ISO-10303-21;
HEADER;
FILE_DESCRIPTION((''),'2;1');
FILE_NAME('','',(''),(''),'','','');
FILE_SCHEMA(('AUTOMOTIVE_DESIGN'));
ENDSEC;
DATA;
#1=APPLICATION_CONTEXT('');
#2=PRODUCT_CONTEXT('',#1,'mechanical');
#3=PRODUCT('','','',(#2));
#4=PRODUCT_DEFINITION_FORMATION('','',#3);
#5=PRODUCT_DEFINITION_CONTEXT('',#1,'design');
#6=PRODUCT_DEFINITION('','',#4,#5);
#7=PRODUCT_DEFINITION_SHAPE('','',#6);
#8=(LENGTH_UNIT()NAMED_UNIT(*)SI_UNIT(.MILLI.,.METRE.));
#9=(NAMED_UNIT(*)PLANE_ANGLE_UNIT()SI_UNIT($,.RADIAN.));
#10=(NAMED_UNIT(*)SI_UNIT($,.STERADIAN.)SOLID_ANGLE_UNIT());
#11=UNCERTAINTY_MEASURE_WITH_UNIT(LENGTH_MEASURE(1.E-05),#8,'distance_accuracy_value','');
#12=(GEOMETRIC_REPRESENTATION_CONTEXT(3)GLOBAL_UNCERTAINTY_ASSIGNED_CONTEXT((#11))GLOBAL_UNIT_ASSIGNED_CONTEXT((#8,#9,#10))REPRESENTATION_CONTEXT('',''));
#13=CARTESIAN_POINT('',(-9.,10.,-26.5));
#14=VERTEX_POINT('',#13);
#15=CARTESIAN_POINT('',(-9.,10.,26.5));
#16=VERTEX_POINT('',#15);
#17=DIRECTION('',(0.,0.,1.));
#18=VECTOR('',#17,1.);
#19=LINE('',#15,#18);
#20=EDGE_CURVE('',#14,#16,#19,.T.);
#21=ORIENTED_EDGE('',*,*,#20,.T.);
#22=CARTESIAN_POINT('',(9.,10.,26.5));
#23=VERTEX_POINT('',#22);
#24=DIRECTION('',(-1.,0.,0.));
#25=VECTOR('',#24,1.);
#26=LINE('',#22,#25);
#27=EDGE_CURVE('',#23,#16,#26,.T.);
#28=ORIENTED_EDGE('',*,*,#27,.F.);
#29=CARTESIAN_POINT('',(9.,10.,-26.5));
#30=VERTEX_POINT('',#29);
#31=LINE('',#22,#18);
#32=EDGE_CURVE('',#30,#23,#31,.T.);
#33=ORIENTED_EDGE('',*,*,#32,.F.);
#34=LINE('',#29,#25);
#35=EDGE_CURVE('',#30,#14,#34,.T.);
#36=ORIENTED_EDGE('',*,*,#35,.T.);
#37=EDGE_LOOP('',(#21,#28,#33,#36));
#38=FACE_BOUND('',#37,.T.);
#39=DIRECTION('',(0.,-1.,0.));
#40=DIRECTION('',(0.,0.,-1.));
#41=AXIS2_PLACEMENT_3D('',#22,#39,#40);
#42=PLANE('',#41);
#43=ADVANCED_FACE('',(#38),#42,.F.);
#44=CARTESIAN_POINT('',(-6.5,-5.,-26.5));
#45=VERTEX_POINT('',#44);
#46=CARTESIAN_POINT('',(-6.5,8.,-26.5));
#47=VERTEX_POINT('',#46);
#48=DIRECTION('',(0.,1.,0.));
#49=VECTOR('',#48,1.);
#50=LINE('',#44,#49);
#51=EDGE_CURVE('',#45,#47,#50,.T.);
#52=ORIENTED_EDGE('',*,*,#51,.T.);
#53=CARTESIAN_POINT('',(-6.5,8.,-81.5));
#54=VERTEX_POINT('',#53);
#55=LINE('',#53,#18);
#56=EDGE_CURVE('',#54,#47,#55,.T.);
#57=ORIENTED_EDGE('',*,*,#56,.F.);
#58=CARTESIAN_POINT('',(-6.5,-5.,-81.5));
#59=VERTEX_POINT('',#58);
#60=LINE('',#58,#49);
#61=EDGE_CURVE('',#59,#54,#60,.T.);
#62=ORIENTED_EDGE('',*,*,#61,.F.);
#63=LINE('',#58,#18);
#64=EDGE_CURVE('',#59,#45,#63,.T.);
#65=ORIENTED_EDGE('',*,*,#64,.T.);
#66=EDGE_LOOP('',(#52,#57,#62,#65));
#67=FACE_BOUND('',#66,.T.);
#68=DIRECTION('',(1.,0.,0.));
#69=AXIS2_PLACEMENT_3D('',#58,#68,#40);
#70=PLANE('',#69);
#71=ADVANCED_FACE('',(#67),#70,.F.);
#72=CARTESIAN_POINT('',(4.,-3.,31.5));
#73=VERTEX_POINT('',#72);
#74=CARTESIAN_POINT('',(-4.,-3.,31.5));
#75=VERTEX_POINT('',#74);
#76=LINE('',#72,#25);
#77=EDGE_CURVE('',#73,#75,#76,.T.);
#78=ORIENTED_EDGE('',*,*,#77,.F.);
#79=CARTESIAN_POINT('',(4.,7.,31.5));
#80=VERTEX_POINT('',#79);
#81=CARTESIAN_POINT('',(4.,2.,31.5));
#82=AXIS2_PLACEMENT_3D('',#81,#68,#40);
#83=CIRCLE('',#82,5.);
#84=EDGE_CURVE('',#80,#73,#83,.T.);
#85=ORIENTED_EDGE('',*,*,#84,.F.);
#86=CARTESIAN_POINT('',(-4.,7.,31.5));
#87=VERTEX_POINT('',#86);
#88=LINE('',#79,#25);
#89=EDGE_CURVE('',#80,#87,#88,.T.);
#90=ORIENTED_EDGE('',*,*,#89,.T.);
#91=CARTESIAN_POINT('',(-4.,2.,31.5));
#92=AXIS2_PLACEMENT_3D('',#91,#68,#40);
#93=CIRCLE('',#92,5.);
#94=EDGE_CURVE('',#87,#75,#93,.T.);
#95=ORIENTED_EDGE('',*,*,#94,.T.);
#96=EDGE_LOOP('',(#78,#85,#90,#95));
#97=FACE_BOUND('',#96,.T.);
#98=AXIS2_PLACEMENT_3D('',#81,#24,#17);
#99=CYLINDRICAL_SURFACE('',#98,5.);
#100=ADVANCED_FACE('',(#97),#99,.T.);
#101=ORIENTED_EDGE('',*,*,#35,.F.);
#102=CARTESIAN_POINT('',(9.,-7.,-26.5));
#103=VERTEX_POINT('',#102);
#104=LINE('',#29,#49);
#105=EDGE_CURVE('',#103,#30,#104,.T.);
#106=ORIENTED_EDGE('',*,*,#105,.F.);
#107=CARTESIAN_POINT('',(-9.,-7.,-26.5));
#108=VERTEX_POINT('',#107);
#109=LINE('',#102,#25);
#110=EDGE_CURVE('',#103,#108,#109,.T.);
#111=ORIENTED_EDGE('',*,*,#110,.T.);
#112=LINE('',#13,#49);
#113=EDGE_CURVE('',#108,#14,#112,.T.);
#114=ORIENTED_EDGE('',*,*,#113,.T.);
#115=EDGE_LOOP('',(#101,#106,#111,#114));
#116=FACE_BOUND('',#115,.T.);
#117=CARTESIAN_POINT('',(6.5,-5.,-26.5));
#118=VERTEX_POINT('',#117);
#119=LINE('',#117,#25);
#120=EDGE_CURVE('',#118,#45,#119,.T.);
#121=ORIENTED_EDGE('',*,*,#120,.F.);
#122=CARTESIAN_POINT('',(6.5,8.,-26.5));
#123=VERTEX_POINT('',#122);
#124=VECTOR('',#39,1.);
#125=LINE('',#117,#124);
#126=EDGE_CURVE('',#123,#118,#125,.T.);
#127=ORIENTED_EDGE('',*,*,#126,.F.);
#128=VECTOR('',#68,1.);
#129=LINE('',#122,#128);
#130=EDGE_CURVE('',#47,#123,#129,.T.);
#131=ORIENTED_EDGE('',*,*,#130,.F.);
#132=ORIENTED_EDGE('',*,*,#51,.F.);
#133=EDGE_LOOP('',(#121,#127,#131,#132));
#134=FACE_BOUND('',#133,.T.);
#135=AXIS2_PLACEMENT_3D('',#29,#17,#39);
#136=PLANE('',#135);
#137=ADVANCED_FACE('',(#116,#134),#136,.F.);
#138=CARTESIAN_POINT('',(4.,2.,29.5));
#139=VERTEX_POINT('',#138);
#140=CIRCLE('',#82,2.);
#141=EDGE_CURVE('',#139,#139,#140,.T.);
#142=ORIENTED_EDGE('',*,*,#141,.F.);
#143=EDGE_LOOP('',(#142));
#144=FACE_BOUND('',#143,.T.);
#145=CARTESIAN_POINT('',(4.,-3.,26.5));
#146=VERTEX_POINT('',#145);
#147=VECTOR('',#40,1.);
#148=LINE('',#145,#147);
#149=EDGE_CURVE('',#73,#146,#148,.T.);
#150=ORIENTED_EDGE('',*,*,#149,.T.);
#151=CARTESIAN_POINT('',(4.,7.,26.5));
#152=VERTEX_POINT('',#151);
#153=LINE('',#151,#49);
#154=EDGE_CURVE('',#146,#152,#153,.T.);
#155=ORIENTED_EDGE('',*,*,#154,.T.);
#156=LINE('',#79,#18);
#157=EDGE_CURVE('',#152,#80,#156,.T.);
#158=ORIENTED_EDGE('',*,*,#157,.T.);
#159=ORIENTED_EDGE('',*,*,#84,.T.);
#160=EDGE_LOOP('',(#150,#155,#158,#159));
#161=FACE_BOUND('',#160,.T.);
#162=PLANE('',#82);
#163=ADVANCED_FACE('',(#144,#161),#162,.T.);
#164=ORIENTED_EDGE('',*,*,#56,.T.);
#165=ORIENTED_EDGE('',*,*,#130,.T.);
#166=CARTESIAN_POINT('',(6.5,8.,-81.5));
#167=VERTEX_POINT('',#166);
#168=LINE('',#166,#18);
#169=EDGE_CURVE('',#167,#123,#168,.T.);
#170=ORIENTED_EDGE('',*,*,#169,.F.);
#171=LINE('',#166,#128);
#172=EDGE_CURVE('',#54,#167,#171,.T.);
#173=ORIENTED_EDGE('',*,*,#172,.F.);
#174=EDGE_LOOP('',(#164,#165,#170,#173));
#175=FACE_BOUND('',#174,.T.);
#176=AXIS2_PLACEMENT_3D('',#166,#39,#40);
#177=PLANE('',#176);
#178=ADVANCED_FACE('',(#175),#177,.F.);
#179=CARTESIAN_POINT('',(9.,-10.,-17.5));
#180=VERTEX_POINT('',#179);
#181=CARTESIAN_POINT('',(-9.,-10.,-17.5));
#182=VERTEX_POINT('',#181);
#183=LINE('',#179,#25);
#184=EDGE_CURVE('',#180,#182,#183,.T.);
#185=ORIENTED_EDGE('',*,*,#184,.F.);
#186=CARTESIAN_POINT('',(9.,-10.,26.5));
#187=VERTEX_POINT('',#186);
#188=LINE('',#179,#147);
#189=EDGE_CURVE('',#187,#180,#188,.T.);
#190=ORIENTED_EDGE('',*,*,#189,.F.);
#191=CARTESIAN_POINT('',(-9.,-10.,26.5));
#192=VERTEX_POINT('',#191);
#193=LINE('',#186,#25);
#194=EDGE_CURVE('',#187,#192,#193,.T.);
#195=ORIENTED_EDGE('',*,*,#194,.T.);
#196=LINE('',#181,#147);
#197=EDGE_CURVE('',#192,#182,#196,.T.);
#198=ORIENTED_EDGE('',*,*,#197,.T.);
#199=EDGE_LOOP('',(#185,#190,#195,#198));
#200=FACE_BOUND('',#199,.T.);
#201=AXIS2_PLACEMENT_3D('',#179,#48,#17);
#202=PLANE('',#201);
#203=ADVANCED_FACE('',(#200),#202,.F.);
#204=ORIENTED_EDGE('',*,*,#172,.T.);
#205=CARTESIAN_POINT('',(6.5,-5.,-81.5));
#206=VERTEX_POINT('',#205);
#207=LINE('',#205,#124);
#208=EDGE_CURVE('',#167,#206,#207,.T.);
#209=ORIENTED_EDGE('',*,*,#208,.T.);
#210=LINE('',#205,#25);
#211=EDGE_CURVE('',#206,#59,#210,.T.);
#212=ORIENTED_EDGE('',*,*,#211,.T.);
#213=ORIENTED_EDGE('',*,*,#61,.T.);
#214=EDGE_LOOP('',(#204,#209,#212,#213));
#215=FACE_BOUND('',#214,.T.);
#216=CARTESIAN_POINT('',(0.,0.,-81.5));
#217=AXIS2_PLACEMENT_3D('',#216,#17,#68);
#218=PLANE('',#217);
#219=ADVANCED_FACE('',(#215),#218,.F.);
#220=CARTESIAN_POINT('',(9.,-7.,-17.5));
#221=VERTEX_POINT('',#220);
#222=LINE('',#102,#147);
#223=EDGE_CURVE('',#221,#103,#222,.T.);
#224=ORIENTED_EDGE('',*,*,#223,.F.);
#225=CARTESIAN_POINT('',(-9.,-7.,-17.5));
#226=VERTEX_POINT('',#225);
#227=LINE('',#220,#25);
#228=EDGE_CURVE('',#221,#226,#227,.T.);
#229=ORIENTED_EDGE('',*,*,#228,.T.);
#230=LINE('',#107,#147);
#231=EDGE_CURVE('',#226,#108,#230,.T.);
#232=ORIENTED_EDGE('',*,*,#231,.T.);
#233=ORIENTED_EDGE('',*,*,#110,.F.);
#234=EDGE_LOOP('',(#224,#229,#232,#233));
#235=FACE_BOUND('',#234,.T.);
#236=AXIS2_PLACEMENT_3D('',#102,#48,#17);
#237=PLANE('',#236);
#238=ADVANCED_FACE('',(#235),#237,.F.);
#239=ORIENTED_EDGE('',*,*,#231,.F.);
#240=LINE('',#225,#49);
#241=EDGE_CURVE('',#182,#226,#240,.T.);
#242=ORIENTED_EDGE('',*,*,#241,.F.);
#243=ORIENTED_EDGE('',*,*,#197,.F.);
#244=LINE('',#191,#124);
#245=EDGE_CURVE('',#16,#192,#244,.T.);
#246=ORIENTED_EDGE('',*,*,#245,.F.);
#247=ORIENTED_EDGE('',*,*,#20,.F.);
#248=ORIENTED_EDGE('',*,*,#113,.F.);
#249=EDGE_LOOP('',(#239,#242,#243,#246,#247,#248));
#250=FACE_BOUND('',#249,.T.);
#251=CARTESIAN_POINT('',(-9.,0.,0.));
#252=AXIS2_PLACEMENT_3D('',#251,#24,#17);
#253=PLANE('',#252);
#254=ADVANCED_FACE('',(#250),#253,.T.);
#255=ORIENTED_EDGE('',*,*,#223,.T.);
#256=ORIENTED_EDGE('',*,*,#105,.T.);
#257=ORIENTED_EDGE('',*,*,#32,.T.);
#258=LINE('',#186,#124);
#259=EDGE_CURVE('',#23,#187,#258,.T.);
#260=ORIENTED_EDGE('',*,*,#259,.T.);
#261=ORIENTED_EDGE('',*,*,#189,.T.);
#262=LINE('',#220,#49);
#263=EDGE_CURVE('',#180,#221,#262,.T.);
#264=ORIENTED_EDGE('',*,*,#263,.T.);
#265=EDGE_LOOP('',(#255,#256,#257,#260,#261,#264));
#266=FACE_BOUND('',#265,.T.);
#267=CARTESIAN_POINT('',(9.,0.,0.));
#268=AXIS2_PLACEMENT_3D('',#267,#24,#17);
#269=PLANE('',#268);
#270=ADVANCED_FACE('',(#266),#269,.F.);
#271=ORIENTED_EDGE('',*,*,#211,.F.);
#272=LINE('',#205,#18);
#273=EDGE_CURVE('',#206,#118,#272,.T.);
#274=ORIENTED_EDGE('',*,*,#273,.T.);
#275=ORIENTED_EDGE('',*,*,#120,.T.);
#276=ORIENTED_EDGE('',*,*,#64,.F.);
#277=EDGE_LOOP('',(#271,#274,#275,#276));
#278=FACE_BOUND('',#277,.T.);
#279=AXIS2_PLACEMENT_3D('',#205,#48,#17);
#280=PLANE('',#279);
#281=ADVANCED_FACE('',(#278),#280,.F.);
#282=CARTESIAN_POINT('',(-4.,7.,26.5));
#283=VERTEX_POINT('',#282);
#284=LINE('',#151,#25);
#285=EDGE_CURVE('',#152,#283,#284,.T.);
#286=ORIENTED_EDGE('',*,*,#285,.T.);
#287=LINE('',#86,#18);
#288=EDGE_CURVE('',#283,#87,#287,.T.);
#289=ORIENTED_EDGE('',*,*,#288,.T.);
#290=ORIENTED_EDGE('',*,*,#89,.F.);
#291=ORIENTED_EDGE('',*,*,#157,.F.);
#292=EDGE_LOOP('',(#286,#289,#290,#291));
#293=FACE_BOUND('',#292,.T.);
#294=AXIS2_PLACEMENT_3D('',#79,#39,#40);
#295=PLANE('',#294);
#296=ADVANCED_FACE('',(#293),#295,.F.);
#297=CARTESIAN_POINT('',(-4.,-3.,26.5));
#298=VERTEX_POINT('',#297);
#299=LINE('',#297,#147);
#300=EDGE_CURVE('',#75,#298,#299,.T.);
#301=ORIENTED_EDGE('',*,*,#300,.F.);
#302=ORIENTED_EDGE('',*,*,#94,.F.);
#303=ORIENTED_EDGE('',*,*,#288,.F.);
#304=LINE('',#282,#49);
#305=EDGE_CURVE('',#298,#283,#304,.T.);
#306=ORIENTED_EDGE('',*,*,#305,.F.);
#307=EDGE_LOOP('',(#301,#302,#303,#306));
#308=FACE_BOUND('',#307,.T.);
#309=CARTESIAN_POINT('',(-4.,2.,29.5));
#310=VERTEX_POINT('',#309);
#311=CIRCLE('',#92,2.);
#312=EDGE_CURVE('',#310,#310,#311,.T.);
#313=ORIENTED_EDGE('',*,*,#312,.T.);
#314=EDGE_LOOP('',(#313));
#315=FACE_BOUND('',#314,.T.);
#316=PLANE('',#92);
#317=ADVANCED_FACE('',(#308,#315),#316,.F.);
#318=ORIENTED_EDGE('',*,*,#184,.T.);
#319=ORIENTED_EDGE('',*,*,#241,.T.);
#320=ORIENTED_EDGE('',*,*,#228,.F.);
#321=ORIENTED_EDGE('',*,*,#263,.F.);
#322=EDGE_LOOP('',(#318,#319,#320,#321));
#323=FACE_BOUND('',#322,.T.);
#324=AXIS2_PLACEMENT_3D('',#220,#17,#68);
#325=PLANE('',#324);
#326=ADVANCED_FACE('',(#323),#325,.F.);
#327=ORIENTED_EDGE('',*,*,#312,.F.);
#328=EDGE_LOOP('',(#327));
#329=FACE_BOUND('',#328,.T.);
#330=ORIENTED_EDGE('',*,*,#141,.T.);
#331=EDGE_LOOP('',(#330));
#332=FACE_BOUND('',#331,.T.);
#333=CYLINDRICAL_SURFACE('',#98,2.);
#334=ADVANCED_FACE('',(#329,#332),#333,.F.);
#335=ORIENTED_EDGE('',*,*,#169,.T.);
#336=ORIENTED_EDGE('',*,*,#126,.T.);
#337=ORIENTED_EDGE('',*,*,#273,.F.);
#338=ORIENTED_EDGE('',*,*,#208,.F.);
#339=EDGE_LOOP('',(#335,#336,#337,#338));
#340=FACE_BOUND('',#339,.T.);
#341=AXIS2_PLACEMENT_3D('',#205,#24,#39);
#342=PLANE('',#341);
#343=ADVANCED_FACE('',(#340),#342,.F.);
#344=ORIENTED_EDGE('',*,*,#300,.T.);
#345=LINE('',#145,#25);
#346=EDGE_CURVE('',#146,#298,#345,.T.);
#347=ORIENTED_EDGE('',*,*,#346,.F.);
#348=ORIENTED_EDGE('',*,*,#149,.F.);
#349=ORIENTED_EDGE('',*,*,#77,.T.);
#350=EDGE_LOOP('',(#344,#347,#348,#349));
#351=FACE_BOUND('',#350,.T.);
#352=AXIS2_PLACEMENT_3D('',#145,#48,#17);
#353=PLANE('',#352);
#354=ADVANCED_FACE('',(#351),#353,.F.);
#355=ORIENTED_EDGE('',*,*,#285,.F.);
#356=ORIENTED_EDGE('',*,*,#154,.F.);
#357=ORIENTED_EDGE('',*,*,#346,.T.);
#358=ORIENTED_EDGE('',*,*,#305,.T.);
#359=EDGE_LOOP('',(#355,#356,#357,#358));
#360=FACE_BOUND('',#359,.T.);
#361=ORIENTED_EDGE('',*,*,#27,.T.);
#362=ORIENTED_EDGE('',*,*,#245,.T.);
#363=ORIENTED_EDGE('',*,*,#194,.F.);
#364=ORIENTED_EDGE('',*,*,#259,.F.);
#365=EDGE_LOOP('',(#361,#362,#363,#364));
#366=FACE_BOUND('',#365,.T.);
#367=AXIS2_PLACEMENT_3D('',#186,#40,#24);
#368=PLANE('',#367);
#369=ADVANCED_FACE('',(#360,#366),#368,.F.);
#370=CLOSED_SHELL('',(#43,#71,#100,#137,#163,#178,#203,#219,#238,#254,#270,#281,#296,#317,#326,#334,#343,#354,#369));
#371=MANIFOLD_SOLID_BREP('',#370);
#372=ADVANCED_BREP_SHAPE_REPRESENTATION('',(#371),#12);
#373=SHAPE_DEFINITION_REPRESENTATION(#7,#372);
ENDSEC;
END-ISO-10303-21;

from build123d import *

# Parameters (mm, degrees)
BOSS_EXTRUDE1_DEPTH = 9
SKETCH2_R           = 2
BOSS_EXTRUDE2_DEPTH = 4
SKETCH3_W           = 13
SKETCH3_H           = 13
BOSS_EXTRUDE3_DEPTH = 55


with BuildPart() as part:
    # Sketch1 → Boss-Extrude1 (new, symmetric)
    with BuildSketch(Plane(origin=(0, 0, 0), x_dir=(0, 0, -1), z_dir=(1, 0, 0))):
        Polygon((-26.5, 10), (26.5, 10), (26.5, -7), (17.5, -7), (17.5, -10), (-26.5, -10), align=None)
    extrude(amount=BOSS_EXTRUDE1_DEPTH, both=True)

    # Sketch2 → Boss-Extrude2 (add, symmetric)
    with BuildSketch(Plane(origin=(0, 0, 0), x_dir=(0, 0, -1), z_dir=(1, 0, 0))):
        with BuildLine():
            Line((-31.5, 7), (-26.5, 7))
            Line((-26.5, 7), (-26.5, -3))
            Line((-26.5, -3), (-31.5, -3))
            ThreePointArc((-31.5, -3), (-36.5, 2), (-31.5, 7))
        make_face()
        with Locations((-31.5, 2)):
            Circle(SKETCH2_R, mode=Mode.SUBTRACT)
    extrude(amount=BOSS_EXTRUDE2_DEPTH, both=True)

    # Sketch3 → Boss-Extrude3 (add)
    with BuildSketch(Plane(origin=(0, 0, -26.5), x_dir=(-1, 0, 0), z_dir=(0, 0, -1))):
        with Locations((0, 1.5)):
            Rectangle(SKETCH3_W, SKETCH3_H)
    extrude(amount=BOSS_EXTRUDE3_DEPTH)


solid = part.part
